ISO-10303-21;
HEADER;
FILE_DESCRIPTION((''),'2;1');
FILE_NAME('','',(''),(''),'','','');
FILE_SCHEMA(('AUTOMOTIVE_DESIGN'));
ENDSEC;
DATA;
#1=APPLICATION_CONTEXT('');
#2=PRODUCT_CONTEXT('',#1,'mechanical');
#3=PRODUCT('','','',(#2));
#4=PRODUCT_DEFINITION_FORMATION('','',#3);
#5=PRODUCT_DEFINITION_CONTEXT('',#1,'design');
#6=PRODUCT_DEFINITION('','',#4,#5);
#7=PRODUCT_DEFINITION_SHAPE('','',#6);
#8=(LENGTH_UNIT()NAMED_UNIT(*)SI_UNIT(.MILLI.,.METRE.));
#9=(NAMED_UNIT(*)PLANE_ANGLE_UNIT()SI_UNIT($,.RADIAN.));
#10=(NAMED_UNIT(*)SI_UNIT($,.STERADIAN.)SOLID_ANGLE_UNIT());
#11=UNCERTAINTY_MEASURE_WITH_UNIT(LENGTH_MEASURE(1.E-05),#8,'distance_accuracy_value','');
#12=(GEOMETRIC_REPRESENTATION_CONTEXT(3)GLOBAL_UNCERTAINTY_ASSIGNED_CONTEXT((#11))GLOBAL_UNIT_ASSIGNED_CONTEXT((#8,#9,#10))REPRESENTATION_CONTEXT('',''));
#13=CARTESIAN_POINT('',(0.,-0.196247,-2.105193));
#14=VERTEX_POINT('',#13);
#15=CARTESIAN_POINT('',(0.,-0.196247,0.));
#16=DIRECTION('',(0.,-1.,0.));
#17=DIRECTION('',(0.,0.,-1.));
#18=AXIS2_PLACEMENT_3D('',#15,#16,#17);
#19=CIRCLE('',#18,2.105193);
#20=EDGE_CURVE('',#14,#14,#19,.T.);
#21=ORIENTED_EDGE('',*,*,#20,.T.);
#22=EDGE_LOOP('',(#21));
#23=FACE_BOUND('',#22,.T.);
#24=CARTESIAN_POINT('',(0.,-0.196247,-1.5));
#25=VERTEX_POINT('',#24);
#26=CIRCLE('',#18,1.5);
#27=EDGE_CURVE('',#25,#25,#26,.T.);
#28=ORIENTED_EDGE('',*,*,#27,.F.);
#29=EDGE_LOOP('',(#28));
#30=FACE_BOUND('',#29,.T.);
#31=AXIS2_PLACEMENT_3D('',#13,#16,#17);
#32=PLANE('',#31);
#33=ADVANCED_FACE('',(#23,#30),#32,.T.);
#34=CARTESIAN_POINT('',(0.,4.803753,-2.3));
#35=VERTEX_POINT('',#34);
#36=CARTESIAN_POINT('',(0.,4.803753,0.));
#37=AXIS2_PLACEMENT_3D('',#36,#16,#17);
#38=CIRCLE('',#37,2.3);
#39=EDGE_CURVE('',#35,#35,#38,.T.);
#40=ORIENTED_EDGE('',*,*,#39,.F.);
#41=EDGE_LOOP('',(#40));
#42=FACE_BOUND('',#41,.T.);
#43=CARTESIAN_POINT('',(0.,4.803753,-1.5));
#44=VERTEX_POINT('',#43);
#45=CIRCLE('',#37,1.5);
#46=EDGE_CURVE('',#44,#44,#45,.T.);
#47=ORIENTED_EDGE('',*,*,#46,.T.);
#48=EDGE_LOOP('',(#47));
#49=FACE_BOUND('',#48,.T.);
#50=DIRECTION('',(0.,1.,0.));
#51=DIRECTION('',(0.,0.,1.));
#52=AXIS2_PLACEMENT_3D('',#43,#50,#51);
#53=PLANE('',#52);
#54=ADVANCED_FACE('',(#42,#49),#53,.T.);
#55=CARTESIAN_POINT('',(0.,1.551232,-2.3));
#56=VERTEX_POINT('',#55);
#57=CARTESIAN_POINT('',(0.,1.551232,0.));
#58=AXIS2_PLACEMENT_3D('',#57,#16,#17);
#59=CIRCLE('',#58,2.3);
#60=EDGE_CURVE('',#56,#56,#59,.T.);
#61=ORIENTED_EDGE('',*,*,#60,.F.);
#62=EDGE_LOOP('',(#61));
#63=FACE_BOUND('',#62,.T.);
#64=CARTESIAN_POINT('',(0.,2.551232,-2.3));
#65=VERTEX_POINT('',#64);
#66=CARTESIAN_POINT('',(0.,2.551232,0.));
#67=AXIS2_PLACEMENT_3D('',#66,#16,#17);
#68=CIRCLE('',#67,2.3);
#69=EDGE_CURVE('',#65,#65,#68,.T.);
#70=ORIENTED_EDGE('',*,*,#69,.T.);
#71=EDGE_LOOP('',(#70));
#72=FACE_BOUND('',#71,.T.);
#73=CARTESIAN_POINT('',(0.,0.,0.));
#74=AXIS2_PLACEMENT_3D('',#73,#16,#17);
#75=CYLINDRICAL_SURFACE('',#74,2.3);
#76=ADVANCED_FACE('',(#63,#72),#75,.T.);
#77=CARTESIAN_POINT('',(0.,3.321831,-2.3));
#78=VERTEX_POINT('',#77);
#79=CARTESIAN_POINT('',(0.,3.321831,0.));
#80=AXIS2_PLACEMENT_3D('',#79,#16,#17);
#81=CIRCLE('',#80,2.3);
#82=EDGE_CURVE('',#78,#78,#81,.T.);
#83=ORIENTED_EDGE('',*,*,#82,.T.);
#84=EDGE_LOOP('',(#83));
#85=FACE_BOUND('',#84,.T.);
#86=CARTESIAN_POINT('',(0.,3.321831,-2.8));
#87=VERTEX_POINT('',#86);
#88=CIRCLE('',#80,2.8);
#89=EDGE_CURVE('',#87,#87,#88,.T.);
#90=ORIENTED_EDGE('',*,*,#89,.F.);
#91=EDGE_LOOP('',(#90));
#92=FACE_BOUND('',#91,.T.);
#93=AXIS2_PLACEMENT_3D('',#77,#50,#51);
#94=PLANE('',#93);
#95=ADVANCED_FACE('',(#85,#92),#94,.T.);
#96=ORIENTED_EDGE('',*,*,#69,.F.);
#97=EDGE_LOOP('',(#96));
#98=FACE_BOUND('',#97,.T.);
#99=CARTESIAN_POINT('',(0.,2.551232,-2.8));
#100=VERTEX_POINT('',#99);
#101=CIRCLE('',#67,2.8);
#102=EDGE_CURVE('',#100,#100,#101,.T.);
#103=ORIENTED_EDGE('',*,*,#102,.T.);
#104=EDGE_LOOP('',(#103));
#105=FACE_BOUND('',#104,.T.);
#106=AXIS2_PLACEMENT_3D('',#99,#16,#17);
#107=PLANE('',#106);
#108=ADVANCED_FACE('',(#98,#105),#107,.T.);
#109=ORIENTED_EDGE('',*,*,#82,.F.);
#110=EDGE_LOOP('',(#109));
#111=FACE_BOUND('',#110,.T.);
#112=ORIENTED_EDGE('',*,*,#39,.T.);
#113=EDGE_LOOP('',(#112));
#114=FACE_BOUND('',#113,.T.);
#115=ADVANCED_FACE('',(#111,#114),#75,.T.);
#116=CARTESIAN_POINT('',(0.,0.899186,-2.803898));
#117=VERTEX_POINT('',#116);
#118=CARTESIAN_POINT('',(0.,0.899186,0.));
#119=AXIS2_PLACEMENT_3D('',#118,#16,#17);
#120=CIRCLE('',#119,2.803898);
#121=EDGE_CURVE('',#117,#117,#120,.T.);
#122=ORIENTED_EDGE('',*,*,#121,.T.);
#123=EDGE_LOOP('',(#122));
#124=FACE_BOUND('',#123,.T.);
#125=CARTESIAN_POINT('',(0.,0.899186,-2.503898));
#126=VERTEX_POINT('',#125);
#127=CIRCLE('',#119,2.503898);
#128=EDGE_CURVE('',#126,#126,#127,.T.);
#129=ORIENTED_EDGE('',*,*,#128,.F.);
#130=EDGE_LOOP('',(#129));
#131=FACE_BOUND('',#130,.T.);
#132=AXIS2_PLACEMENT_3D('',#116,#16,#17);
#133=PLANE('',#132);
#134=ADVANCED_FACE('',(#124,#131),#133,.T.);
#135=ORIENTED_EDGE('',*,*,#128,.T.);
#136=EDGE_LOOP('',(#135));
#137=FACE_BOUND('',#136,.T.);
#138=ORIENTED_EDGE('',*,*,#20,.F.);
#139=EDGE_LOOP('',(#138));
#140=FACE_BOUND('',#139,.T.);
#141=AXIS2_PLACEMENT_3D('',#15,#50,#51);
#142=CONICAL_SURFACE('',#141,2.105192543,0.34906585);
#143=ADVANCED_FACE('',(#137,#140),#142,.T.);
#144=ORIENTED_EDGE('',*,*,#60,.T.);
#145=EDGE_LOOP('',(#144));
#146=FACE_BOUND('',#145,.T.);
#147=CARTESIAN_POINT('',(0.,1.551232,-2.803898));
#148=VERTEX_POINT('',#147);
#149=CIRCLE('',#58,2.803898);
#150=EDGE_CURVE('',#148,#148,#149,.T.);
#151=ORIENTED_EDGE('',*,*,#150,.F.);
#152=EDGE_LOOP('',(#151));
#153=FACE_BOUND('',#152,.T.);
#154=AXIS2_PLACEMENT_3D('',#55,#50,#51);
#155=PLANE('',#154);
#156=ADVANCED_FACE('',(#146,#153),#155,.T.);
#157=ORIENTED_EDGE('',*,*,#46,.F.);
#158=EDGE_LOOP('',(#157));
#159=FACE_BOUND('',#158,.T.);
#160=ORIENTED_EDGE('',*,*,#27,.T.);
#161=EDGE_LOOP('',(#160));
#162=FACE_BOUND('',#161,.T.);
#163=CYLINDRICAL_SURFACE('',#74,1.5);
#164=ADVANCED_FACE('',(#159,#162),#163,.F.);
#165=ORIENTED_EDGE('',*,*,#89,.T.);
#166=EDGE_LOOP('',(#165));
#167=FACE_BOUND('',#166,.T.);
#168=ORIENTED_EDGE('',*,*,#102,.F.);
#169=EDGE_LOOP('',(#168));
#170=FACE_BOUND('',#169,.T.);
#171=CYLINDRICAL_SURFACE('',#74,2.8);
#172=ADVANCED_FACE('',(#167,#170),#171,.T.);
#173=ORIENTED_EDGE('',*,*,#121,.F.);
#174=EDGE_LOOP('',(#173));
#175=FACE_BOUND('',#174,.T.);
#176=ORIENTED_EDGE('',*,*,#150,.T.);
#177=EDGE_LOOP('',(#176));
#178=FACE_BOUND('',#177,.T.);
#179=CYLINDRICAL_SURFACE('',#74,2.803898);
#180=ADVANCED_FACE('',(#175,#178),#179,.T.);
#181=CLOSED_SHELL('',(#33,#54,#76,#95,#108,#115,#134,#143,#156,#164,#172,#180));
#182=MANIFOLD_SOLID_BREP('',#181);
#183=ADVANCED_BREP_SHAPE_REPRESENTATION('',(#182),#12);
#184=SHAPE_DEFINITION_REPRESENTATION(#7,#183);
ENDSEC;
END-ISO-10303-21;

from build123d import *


with BuildPart() as part:
    # 草图2 → 旋转1 (revolve)
    with BuildSketch(Plane(origin=(0, 0, 0), x_dir=(0, 0, -1), z_dir=(1, 0, 0))):
        Polygon((1.5, -0.196247454), (1.5, 4.803752546), (2.3, 4.803752546), (2.3, 3.321830848), (2.8, 3.321830848), (2.8, 2.551231565), (2.3, 2.551231565), (2.3, 1.551231565), (2.80389772, 1.551231565), (2.80389772, 0.899186018), (2.50389772, 0.899186018), (2.105192543, -0.196247454), align=None)
    revolve(axis=Axis((0, 0, 0), (0, 1, 0)))


solid = part.part
